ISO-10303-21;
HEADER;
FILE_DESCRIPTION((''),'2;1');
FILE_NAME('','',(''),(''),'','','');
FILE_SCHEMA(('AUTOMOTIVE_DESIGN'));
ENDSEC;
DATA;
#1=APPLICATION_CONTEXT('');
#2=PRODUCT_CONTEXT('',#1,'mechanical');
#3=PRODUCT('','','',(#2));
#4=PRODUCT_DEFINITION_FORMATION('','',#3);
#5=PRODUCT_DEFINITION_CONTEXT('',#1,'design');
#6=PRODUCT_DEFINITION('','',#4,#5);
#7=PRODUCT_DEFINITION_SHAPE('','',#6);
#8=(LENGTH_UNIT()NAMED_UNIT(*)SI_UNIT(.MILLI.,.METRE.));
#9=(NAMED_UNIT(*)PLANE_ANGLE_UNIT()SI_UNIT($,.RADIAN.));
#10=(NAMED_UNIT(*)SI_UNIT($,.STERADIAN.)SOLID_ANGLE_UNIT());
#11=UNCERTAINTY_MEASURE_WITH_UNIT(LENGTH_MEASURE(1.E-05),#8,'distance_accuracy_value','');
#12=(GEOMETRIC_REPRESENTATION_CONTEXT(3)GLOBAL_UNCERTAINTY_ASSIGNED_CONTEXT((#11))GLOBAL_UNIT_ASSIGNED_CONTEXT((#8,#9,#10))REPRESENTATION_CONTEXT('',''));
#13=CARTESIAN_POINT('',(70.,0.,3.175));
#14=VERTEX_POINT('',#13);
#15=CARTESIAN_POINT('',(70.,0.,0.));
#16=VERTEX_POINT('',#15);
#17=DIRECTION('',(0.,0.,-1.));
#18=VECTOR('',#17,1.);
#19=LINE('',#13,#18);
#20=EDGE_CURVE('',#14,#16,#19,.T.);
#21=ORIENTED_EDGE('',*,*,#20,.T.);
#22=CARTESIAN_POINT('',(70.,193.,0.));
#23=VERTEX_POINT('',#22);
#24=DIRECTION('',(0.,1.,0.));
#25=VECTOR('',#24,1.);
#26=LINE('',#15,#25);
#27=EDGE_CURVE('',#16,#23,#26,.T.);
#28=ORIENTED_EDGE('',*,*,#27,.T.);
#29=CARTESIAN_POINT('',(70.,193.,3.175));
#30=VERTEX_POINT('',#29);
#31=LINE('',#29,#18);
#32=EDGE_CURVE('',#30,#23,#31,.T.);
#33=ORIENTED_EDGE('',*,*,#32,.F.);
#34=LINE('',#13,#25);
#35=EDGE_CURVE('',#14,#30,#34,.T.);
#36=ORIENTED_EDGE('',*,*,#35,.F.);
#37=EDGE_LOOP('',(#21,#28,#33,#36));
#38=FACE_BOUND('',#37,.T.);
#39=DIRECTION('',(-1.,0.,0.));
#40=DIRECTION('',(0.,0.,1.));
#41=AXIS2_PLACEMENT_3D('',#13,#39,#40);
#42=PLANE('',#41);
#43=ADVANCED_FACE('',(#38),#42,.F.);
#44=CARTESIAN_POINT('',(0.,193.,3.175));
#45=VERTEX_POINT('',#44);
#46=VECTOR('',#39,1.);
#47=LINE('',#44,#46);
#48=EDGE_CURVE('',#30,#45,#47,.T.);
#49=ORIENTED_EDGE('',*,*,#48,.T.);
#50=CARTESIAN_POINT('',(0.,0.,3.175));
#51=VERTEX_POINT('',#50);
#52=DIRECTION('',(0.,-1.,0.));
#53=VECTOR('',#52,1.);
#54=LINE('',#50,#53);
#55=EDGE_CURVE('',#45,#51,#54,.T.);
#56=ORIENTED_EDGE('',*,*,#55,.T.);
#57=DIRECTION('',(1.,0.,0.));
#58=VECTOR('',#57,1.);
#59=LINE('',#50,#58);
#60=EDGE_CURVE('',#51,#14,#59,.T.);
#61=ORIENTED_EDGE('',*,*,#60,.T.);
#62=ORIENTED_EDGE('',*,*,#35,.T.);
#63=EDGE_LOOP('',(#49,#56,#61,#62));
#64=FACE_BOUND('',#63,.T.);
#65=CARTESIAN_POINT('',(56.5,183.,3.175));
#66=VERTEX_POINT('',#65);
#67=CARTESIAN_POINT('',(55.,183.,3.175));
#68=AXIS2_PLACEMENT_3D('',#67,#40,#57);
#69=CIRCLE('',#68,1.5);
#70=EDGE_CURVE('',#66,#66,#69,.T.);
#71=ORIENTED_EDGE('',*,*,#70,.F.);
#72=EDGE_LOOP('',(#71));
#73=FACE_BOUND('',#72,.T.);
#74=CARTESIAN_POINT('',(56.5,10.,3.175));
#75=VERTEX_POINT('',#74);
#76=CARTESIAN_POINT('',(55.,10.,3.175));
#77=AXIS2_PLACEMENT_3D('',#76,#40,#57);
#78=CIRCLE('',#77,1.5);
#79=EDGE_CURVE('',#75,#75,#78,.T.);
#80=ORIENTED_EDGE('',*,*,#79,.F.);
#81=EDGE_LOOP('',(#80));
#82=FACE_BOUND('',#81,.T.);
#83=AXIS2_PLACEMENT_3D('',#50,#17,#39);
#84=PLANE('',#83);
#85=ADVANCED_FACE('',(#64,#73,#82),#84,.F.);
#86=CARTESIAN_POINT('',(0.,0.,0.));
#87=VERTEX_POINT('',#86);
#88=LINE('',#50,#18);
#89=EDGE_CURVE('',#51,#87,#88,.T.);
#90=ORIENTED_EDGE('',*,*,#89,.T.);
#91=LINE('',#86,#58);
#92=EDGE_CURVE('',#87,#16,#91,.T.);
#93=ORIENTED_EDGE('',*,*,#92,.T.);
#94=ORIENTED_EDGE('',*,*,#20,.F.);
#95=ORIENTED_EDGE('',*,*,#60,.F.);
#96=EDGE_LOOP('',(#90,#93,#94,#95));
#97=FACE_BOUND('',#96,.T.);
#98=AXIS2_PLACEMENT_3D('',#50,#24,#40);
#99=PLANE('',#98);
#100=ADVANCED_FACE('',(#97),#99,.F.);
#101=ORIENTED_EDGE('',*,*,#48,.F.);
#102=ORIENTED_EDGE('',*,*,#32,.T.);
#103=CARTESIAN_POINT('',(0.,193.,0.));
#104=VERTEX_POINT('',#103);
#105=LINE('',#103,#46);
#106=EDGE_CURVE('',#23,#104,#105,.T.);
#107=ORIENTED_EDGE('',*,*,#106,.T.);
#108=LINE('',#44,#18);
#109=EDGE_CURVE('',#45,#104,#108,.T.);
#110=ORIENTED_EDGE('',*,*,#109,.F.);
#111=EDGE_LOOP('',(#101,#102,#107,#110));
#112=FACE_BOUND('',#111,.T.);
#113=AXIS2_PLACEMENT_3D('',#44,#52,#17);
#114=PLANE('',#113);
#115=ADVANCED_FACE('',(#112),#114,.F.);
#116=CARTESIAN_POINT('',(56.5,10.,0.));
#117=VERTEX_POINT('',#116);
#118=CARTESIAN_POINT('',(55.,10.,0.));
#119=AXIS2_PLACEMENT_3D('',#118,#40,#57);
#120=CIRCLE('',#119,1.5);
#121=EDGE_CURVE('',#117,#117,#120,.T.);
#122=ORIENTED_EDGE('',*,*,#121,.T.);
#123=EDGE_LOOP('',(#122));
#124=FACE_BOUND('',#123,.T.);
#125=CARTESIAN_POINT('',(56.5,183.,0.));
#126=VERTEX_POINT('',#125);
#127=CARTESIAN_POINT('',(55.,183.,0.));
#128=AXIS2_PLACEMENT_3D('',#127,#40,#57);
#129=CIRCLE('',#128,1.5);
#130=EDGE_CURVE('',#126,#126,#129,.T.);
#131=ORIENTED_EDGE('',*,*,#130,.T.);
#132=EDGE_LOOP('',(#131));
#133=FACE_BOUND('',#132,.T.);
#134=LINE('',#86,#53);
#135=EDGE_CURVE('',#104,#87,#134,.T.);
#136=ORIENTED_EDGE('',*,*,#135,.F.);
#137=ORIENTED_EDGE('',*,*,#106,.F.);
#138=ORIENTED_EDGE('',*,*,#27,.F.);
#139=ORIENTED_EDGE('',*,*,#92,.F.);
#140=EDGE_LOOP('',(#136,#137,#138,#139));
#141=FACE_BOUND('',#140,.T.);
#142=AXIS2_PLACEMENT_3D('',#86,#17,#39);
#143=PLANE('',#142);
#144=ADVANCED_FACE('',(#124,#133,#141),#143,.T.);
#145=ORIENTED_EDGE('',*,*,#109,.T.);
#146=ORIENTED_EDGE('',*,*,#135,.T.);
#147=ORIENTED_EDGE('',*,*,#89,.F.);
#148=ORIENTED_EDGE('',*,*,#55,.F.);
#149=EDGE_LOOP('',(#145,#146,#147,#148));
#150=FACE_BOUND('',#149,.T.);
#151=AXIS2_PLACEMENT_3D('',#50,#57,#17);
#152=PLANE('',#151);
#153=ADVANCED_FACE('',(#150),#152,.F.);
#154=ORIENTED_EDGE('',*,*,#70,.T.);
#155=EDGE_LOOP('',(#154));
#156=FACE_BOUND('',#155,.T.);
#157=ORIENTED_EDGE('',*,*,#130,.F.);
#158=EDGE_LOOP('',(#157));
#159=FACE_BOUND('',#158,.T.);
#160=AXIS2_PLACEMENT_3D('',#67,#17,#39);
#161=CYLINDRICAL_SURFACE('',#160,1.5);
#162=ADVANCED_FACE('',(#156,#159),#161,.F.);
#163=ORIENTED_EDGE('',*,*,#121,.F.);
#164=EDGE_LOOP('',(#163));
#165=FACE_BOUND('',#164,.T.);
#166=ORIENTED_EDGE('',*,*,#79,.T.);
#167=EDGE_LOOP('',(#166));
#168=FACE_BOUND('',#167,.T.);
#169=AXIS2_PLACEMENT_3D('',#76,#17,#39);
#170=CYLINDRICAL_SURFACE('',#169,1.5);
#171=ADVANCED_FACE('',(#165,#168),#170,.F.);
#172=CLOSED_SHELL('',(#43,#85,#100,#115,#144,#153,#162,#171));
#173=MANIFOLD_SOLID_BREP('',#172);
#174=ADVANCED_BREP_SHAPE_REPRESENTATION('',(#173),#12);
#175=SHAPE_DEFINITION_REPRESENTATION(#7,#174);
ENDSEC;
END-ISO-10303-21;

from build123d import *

# Parameters (mm, degrees)
SKETCH1_W           = 70
SKETCH1_H           = 193
SKETCH1_R           = 1.5
BOSS_EXTRUDE1_DEPTH = 3.175


with BuildPart() as part:
    # Sketch1 → Boss-Extrude1 (new body)
    with BuildSketch(Plane.XY):
        with Locations((35, 96.5)):
            Rectangle(SKETCH1_W, SKETCH1_H)
        with Locations((55, 183)):
            Circle(SKETCH1_R, mode=Mode.SUBTRACT)
        with Locations((55, 10)):
            Circle(SKETCH1_R, mode=Mode.SUBTRACT)
    extrude(amount=BOSS_EXTRUDE1_DEPTH)


solid = part.part
